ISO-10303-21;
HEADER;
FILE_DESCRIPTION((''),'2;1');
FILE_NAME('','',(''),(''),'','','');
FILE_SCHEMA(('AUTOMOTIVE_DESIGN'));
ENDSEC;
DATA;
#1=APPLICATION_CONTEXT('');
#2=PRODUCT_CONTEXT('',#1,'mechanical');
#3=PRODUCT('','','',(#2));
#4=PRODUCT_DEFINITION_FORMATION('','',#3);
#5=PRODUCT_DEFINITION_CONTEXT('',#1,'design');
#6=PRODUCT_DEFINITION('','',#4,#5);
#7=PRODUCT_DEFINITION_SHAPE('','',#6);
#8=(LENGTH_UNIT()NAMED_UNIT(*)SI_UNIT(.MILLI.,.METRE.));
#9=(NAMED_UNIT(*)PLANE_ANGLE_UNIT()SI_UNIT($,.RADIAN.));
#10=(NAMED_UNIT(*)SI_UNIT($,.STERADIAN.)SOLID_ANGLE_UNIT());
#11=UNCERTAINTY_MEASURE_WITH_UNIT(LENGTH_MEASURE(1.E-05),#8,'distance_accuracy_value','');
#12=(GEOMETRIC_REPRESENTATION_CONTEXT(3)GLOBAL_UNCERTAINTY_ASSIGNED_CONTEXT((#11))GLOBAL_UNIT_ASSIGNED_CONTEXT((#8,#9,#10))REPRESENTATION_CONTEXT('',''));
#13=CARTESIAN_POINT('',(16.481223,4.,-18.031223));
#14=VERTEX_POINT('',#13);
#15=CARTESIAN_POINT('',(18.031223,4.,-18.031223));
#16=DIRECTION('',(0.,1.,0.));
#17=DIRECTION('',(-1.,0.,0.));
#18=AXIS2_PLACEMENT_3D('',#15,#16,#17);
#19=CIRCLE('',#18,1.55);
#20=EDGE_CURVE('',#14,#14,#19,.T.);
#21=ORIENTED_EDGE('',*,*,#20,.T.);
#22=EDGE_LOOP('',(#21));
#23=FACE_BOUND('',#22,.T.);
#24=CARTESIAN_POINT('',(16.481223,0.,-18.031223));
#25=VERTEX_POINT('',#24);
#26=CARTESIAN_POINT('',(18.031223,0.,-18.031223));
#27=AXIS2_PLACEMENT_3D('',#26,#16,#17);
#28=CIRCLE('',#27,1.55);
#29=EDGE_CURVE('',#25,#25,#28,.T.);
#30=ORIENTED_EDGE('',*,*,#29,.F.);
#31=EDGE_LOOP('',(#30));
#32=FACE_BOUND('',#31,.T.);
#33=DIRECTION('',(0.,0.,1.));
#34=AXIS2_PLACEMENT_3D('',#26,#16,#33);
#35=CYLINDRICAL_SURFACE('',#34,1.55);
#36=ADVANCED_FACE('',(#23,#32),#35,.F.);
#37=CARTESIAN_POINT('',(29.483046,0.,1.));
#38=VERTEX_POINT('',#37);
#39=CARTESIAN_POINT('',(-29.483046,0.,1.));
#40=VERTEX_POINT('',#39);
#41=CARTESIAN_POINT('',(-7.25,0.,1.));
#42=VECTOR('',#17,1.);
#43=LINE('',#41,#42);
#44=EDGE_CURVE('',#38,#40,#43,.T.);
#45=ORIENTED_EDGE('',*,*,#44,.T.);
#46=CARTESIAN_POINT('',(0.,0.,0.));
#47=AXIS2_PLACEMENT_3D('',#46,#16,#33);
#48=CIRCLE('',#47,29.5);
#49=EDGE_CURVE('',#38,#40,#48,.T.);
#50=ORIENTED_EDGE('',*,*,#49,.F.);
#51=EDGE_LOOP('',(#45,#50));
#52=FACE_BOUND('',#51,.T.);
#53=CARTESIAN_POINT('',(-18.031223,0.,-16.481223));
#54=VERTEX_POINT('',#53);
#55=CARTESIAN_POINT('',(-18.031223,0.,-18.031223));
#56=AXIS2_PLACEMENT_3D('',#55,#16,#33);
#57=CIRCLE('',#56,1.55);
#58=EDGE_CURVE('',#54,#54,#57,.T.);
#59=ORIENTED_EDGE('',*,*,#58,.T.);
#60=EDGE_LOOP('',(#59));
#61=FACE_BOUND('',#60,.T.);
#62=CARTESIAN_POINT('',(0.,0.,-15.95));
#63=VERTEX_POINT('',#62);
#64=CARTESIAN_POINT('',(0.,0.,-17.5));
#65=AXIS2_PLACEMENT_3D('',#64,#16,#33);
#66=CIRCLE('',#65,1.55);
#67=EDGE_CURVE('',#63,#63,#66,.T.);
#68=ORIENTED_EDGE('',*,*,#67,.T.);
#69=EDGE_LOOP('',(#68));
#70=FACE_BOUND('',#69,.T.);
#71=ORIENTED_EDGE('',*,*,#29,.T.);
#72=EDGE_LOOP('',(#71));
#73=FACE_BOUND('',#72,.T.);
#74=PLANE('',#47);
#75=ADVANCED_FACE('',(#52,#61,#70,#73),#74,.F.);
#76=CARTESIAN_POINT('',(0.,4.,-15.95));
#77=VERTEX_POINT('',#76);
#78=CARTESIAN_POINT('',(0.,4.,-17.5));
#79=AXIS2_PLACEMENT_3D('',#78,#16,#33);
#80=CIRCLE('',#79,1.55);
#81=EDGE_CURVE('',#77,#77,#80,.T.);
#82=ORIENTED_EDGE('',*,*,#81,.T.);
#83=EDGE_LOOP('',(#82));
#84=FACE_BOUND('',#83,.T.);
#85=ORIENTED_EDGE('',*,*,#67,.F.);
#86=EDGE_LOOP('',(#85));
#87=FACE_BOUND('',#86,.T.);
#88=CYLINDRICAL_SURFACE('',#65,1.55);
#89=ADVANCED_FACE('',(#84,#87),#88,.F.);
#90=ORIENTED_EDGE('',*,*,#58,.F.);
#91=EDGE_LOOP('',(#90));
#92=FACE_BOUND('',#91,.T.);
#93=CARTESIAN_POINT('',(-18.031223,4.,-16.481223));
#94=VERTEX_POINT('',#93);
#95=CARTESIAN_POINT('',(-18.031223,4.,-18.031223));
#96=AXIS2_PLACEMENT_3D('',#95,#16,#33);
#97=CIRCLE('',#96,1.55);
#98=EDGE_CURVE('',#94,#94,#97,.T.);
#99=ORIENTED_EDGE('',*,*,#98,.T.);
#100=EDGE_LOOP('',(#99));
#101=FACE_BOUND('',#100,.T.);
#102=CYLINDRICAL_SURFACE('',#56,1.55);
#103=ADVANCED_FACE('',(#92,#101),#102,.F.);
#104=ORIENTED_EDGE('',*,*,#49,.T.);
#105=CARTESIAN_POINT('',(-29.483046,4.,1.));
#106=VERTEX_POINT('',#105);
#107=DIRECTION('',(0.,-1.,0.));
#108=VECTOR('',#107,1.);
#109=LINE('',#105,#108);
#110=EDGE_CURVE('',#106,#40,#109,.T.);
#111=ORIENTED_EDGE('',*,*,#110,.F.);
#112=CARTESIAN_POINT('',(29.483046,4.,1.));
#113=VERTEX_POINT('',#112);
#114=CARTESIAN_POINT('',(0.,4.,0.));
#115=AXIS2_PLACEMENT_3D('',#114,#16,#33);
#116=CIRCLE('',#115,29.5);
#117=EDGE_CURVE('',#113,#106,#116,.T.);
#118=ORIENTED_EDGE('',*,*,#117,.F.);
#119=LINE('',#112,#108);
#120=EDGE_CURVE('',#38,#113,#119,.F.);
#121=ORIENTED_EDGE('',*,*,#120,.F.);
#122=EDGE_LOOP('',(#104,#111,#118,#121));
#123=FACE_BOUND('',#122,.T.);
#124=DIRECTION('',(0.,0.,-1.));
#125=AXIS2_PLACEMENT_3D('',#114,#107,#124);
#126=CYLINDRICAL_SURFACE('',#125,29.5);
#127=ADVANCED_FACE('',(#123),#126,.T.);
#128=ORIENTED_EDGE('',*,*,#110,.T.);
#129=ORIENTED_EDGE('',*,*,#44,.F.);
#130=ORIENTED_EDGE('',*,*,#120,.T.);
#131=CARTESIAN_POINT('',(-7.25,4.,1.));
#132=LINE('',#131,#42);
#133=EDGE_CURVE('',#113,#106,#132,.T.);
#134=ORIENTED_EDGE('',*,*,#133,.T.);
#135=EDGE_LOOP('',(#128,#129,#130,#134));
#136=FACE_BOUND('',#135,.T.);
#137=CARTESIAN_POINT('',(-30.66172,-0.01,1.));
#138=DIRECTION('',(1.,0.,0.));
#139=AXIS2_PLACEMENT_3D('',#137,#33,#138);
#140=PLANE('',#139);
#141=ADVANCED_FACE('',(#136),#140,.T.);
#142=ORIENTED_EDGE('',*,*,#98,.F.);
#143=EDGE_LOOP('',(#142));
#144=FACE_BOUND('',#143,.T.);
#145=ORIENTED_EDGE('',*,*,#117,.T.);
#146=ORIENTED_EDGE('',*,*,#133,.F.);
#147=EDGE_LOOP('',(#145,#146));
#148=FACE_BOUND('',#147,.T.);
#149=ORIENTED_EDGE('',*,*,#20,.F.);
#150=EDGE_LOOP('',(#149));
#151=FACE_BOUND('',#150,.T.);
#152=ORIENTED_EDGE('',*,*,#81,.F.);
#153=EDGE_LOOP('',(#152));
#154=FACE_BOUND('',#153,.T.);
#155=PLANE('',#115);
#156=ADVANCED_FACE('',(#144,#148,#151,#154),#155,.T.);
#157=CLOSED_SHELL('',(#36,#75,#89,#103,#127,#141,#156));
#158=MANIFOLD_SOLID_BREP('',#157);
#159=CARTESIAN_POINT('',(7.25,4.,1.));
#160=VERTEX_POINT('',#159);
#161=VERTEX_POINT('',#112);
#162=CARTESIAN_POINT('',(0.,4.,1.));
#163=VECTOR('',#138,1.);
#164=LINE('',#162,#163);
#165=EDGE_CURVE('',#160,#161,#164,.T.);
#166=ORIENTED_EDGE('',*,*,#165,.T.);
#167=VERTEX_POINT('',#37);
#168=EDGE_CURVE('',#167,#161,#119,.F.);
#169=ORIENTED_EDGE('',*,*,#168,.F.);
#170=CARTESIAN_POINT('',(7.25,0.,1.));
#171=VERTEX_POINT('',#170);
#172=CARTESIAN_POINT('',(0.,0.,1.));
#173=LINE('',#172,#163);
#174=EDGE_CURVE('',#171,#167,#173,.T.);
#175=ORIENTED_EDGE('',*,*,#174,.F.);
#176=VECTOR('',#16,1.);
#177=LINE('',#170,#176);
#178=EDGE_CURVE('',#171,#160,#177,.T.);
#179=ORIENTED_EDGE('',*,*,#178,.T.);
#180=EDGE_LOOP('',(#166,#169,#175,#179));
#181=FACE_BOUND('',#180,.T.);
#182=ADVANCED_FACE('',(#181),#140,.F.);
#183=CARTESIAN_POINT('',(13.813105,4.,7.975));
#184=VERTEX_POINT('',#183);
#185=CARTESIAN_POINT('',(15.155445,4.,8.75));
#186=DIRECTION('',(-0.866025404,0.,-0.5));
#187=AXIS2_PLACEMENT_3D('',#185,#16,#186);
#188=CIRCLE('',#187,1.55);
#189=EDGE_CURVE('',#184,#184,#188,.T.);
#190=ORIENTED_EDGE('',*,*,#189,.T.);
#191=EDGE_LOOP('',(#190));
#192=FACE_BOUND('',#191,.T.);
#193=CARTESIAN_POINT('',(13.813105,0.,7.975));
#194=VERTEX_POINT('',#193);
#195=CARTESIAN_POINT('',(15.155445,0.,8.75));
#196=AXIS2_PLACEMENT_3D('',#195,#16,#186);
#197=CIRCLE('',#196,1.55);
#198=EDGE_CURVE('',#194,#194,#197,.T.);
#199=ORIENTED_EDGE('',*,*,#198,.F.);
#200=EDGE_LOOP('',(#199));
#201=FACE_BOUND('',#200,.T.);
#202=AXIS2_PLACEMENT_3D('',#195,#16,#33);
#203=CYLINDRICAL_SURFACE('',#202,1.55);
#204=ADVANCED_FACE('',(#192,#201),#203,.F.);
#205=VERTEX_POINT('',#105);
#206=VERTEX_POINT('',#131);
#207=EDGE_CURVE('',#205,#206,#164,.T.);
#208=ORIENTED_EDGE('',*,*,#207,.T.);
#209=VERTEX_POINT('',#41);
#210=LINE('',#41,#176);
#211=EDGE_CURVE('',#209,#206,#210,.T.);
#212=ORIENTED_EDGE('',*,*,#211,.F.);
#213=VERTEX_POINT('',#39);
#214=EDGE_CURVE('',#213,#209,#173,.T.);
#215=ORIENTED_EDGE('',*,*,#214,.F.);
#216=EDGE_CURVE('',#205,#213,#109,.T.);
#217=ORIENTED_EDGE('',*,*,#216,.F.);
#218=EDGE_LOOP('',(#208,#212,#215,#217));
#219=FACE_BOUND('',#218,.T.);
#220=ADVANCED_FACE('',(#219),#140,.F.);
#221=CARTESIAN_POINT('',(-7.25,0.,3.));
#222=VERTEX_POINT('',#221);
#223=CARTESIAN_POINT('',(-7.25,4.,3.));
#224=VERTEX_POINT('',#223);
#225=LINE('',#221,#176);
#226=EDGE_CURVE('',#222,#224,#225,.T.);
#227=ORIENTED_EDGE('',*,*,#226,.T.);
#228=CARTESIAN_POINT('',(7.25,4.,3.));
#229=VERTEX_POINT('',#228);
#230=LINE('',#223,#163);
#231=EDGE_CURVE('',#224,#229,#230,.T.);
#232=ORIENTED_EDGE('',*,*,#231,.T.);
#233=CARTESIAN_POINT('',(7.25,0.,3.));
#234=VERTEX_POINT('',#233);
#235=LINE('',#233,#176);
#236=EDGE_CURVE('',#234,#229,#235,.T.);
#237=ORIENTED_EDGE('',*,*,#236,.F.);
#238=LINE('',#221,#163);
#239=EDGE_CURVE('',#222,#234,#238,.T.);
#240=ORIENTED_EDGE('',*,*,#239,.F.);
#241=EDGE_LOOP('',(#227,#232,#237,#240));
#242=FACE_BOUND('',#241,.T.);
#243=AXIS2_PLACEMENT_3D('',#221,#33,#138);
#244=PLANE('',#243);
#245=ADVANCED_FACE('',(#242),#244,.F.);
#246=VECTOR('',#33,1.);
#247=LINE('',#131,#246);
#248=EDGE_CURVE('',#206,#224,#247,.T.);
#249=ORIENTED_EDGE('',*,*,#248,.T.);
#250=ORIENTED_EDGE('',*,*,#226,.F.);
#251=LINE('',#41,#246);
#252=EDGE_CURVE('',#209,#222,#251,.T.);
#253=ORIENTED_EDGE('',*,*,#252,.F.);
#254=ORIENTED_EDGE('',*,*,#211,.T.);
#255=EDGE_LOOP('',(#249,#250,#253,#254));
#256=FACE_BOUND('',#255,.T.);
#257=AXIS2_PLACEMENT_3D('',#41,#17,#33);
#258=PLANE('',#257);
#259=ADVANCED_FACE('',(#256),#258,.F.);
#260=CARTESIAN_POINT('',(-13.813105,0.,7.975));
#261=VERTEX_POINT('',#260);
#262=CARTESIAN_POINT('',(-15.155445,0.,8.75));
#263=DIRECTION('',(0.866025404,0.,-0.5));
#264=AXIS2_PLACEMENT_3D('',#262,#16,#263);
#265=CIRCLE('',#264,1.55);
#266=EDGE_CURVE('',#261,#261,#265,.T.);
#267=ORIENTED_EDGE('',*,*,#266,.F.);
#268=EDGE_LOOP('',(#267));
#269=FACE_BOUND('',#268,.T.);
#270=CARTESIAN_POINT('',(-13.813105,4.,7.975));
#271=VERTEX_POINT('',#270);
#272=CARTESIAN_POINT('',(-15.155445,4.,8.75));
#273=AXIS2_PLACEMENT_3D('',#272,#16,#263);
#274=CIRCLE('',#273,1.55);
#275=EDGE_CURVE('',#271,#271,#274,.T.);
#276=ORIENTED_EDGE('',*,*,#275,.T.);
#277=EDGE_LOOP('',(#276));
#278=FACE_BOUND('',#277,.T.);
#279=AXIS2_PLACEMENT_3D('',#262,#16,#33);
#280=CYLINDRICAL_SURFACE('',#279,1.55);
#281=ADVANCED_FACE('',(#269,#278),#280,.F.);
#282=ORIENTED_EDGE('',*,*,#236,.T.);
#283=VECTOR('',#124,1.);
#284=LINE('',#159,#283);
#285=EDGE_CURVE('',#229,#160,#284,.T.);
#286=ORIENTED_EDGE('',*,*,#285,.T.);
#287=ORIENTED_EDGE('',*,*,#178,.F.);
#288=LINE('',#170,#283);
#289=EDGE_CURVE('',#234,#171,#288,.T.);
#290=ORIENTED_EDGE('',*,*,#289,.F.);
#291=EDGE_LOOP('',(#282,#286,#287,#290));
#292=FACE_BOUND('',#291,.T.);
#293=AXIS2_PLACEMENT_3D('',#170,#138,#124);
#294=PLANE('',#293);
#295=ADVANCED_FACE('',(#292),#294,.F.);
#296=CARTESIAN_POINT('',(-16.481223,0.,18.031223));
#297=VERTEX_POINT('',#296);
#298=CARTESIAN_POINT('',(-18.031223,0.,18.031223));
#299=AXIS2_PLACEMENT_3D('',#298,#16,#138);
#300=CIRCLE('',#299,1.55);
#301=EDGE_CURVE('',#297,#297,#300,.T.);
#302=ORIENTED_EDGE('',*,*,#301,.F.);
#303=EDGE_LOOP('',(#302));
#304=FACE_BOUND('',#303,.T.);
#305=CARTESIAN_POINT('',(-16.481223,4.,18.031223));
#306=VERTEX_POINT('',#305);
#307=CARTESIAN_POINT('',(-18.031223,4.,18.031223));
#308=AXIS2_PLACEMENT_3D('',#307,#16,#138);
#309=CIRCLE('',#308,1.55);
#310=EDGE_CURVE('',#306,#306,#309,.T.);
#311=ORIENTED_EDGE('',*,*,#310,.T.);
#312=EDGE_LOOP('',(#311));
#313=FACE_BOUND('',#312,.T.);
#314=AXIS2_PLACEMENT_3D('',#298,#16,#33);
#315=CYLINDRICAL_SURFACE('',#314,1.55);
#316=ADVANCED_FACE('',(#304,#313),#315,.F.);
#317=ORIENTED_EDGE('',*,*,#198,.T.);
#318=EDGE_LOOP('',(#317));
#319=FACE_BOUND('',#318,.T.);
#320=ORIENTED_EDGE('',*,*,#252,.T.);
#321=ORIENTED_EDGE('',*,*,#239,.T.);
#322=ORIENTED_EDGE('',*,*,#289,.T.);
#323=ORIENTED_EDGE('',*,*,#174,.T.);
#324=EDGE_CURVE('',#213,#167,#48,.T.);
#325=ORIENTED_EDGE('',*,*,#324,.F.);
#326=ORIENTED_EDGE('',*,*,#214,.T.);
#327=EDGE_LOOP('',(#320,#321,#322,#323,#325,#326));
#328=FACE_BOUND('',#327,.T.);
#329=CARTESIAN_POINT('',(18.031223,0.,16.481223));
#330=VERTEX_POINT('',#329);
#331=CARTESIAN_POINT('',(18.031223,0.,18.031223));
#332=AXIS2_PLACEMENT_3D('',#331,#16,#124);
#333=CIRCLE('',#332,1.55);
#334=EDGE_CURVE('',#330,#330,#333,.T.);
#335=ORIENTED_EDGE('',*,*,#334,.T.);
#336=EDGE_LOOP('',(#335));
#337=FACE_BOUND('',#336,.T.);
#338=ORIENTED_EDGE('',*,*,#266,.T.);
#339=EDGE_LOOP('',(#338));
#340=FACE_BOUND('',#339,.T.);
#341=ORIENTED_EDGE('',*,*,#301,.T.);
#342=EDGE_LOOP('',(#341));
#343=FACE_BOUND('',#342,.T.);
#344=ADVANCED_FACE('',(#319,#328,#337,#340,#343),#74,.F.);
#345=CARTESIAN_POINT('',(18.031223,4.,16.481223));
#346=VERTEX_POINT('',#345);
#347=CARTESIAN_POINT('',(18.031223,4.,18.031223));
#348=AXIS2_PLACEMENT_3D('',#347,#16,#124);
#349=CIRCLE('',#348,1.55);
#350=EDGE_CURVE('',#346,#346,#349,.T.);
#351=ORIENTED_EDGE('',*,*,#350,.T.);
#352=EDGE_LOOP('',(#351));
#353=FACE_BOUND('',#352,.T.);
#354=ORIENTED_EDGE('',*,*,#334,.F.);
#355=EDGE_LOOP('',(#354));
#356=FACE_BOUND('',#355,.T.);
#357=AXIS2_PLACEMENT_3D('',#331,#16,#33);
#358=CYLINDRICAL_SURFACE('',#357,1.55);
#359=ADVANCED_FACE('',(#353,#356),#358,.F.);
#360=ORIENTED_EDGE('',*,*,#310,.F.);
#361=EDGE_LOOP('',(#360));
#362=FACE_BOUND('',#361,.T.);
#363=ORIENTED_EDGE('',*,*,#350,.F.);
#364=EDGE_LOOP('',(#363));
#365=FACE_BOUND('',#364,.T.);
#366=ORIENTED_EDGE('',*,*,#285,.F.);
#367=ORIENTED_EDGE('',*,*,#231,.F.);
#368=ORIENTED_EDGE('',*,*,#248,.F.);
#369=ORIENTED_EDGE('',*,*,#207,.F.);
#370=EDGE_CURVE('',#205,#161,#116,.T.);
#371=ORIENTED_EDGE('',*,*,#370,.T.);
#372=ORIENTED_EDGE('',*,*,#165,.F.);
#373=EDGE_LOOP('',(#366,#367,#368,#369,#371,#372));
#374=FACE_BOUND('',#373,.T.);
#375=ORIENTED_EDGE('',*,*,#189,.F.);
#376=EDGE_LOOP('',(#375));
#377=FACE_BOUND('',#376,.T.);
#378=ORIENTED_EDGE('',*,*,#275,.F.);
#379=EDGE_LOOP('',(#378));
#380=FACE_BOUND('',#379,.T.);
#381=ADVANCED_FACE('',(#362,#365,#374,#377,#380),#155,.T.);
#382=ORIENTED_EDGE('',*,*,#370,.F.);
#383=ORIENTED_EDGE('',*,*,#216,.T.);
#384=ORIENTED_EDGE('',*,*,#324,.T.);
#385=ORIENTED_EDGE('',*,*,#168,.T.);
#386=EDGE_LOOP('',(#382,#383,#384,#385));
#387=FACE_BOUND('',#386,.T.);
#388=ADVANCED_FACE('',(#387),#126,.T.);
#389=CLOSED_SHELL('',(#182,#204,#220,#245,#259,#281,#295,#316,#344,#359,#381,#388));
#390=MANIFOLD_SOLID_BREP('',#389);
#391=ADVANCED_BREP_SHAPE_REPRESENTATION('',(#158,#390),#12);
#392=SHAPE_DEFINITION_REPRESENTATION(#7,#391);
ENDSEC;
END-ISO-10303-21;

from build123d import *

# Parameters (mm, degrees)
SKETCH1_R              = 29.5
BOSS_EXTRUDE1_DEPTH    = 4
SKETCH2_R              = 1.55
CUT_EXTRUDE1_DEPTH     = 42.910619179
CIRPATTERN1_COUNT      = 4
SKETCH3_W              = 14.5
SKETCH3_H              = 2
CUT_EXTRUDE2_DEPTH     = 42.910619179
SKETCH9_R              = 1.55
CUT_EXTRUDE3_DEPTH     = 42.910619179
CIRPATTERN4_COUNT      = 3
SPLIT1_SURFACE_1_BACK  = 84.534
SPLIT1_SURFACE_1_DEPTH = 169.068
SPLIT1_SURFACE_2_BACK  = 84.534
SPLIT1_SURFACE_2_DEPTH = 169.068


with BuildPart() as part:
    # Sketch1 → Boss-Extrude1 (new body)
    with BuildSketch(Plane(origin=(0, 0, 0), x_dir=(1, 0, 0), z_dir=(0, 1, 0))):
        with Locations(Location((0, 0, 0), (0, 0, 270))):
            Circle(SKETCH1_R)
    extrude(amount=BOSS_EXTRUDE1_DEPTH)

    # Sketch2 → Cut-Extrude1 (cut, through all)
    with BuildSketch(Plane(origin=(0, 4, 0), x_dir=(1, 0, 0), z_dir=(0, 1, 0))):
        with Locations(Location((-18.03122292, 18.03122292, 0), (0, 0, 270))):
            Circle(SKETCH2_R)
    cut_extrude1 = extrude(amount=-CUT_EXTRUDE1_DEPTH, mode=Mode.SUBTRACT)

    # CirPattern1: Cut-Extrude1 ×4 about axis
    cirpattern1_axis = Axis((0, 0, 0), (0, 1, 0))
    for i in range(1, CIRPATTERN1_COUNT):
        add(cut_extrude1.rotate(cirpattern1_axis, i * 360 / CIRPATTERN1_COUNT), mode=Mode.SUBTRACT)

    # Sketch3 → Cut-Extrude2 (cut, through all)
    with BuildSketch(Plane(origin=(0, 4, 0), x_dir=(1, 0, 0), z_dir=(0, 1, 0))):
        with Locations((0, -2)):
            Rectangle(SKETCH3_W, SKETCH3_H)
    extrude(amount=-CUT_EXTRUDE2_DEPTH, mode=Mode.SUBTRACT)

    # Sketch9 → Cut-Extrude3 (cut, through all)
    with BuildSketch(Plane(origin=(0, 4, 0), x_dir=(1, 0, 0), z_dir=(0, 1, 0))):
        with Locations(Location((0, 17.5, 0), (0, 0, 270))):
            Circle(SKETCH9_R)
    cut_extrude3 = extrude(amount=-CUT_EXTRUDE3_DEPTH, mode=Mode.SUBTRACT)

    # CirPattern4: Cut-Extrude3 ×3 about axis
    cirpattern4_axis = Axis((0, 0, 0), (0, 1, 0))
    for i in range(1, CIRPATTERN4_COUNT):
        add(cut_extrude3.rotate(cirpattern4_axis, i * 360 / CIRPATTERN4_COUNT), mode=Mode.SUBTRACT)


with BuildPart() as body_2:
    # Split1: the piece behind the surface
    add(part.part)
    # Split1 surface: a surface, the sketch's curves swept straight by 169.068 mm
    with BuildLine(Plane(origin=(0, 0, 0), x_dir=(1, 0, 0), z_dir=(0, 1, 0)).offset(-SPLIT1_SURFACE_1_BACK), mode=Mode.PRIVATE) as split1_surface_1_path:
        Line((-30.661720474, -1), (30.661720474, -1))
    split1_surface_1 = Shell.extrude(split1_surface_1_path.wire(), (0 * SPLIT1_SURFACE_1_DEPTH, 1 * SPLIT1_SURFACE_1_DEPTH, 0 * SPLIT1_SURFACE_1_DEPTH))
    split(bisect_by=split1_surface_1, keep=Keep.BOTTOM)


with BuildPart() as part_1:
    add(part.part)

    # Split1: split by a surface, the side it looks to stays
    # Split1 surface: a surface, the sketch's curves swept straight by 169.068 mm
    with BuildLine(Plane(origin=(0, 0, 0), x_dir=(1, 0, 0), z_dir=(0, 1, 0)).offset(-SPLIT1_SURFACE_2_BACK), mode=Mode.PRIVATE) as split1_surface_2_path:
        Line((-30.661720474, -1), (30.661720474, -1))
    split1_surface_2 = Shell.extrude(split1_surface_2_path.wire(), (0 * SPLIT1_SURFACE_2_DEPTH, 1 * SPLIT1_SURFACE_2_DEPTH, 0 * SPLIT1_SURFACE_2_DEPTH))
    split(bisect_by=split1_surface_2, keep=Keep.TOP)


solid = Compound([body_2.part, part_1.part])
